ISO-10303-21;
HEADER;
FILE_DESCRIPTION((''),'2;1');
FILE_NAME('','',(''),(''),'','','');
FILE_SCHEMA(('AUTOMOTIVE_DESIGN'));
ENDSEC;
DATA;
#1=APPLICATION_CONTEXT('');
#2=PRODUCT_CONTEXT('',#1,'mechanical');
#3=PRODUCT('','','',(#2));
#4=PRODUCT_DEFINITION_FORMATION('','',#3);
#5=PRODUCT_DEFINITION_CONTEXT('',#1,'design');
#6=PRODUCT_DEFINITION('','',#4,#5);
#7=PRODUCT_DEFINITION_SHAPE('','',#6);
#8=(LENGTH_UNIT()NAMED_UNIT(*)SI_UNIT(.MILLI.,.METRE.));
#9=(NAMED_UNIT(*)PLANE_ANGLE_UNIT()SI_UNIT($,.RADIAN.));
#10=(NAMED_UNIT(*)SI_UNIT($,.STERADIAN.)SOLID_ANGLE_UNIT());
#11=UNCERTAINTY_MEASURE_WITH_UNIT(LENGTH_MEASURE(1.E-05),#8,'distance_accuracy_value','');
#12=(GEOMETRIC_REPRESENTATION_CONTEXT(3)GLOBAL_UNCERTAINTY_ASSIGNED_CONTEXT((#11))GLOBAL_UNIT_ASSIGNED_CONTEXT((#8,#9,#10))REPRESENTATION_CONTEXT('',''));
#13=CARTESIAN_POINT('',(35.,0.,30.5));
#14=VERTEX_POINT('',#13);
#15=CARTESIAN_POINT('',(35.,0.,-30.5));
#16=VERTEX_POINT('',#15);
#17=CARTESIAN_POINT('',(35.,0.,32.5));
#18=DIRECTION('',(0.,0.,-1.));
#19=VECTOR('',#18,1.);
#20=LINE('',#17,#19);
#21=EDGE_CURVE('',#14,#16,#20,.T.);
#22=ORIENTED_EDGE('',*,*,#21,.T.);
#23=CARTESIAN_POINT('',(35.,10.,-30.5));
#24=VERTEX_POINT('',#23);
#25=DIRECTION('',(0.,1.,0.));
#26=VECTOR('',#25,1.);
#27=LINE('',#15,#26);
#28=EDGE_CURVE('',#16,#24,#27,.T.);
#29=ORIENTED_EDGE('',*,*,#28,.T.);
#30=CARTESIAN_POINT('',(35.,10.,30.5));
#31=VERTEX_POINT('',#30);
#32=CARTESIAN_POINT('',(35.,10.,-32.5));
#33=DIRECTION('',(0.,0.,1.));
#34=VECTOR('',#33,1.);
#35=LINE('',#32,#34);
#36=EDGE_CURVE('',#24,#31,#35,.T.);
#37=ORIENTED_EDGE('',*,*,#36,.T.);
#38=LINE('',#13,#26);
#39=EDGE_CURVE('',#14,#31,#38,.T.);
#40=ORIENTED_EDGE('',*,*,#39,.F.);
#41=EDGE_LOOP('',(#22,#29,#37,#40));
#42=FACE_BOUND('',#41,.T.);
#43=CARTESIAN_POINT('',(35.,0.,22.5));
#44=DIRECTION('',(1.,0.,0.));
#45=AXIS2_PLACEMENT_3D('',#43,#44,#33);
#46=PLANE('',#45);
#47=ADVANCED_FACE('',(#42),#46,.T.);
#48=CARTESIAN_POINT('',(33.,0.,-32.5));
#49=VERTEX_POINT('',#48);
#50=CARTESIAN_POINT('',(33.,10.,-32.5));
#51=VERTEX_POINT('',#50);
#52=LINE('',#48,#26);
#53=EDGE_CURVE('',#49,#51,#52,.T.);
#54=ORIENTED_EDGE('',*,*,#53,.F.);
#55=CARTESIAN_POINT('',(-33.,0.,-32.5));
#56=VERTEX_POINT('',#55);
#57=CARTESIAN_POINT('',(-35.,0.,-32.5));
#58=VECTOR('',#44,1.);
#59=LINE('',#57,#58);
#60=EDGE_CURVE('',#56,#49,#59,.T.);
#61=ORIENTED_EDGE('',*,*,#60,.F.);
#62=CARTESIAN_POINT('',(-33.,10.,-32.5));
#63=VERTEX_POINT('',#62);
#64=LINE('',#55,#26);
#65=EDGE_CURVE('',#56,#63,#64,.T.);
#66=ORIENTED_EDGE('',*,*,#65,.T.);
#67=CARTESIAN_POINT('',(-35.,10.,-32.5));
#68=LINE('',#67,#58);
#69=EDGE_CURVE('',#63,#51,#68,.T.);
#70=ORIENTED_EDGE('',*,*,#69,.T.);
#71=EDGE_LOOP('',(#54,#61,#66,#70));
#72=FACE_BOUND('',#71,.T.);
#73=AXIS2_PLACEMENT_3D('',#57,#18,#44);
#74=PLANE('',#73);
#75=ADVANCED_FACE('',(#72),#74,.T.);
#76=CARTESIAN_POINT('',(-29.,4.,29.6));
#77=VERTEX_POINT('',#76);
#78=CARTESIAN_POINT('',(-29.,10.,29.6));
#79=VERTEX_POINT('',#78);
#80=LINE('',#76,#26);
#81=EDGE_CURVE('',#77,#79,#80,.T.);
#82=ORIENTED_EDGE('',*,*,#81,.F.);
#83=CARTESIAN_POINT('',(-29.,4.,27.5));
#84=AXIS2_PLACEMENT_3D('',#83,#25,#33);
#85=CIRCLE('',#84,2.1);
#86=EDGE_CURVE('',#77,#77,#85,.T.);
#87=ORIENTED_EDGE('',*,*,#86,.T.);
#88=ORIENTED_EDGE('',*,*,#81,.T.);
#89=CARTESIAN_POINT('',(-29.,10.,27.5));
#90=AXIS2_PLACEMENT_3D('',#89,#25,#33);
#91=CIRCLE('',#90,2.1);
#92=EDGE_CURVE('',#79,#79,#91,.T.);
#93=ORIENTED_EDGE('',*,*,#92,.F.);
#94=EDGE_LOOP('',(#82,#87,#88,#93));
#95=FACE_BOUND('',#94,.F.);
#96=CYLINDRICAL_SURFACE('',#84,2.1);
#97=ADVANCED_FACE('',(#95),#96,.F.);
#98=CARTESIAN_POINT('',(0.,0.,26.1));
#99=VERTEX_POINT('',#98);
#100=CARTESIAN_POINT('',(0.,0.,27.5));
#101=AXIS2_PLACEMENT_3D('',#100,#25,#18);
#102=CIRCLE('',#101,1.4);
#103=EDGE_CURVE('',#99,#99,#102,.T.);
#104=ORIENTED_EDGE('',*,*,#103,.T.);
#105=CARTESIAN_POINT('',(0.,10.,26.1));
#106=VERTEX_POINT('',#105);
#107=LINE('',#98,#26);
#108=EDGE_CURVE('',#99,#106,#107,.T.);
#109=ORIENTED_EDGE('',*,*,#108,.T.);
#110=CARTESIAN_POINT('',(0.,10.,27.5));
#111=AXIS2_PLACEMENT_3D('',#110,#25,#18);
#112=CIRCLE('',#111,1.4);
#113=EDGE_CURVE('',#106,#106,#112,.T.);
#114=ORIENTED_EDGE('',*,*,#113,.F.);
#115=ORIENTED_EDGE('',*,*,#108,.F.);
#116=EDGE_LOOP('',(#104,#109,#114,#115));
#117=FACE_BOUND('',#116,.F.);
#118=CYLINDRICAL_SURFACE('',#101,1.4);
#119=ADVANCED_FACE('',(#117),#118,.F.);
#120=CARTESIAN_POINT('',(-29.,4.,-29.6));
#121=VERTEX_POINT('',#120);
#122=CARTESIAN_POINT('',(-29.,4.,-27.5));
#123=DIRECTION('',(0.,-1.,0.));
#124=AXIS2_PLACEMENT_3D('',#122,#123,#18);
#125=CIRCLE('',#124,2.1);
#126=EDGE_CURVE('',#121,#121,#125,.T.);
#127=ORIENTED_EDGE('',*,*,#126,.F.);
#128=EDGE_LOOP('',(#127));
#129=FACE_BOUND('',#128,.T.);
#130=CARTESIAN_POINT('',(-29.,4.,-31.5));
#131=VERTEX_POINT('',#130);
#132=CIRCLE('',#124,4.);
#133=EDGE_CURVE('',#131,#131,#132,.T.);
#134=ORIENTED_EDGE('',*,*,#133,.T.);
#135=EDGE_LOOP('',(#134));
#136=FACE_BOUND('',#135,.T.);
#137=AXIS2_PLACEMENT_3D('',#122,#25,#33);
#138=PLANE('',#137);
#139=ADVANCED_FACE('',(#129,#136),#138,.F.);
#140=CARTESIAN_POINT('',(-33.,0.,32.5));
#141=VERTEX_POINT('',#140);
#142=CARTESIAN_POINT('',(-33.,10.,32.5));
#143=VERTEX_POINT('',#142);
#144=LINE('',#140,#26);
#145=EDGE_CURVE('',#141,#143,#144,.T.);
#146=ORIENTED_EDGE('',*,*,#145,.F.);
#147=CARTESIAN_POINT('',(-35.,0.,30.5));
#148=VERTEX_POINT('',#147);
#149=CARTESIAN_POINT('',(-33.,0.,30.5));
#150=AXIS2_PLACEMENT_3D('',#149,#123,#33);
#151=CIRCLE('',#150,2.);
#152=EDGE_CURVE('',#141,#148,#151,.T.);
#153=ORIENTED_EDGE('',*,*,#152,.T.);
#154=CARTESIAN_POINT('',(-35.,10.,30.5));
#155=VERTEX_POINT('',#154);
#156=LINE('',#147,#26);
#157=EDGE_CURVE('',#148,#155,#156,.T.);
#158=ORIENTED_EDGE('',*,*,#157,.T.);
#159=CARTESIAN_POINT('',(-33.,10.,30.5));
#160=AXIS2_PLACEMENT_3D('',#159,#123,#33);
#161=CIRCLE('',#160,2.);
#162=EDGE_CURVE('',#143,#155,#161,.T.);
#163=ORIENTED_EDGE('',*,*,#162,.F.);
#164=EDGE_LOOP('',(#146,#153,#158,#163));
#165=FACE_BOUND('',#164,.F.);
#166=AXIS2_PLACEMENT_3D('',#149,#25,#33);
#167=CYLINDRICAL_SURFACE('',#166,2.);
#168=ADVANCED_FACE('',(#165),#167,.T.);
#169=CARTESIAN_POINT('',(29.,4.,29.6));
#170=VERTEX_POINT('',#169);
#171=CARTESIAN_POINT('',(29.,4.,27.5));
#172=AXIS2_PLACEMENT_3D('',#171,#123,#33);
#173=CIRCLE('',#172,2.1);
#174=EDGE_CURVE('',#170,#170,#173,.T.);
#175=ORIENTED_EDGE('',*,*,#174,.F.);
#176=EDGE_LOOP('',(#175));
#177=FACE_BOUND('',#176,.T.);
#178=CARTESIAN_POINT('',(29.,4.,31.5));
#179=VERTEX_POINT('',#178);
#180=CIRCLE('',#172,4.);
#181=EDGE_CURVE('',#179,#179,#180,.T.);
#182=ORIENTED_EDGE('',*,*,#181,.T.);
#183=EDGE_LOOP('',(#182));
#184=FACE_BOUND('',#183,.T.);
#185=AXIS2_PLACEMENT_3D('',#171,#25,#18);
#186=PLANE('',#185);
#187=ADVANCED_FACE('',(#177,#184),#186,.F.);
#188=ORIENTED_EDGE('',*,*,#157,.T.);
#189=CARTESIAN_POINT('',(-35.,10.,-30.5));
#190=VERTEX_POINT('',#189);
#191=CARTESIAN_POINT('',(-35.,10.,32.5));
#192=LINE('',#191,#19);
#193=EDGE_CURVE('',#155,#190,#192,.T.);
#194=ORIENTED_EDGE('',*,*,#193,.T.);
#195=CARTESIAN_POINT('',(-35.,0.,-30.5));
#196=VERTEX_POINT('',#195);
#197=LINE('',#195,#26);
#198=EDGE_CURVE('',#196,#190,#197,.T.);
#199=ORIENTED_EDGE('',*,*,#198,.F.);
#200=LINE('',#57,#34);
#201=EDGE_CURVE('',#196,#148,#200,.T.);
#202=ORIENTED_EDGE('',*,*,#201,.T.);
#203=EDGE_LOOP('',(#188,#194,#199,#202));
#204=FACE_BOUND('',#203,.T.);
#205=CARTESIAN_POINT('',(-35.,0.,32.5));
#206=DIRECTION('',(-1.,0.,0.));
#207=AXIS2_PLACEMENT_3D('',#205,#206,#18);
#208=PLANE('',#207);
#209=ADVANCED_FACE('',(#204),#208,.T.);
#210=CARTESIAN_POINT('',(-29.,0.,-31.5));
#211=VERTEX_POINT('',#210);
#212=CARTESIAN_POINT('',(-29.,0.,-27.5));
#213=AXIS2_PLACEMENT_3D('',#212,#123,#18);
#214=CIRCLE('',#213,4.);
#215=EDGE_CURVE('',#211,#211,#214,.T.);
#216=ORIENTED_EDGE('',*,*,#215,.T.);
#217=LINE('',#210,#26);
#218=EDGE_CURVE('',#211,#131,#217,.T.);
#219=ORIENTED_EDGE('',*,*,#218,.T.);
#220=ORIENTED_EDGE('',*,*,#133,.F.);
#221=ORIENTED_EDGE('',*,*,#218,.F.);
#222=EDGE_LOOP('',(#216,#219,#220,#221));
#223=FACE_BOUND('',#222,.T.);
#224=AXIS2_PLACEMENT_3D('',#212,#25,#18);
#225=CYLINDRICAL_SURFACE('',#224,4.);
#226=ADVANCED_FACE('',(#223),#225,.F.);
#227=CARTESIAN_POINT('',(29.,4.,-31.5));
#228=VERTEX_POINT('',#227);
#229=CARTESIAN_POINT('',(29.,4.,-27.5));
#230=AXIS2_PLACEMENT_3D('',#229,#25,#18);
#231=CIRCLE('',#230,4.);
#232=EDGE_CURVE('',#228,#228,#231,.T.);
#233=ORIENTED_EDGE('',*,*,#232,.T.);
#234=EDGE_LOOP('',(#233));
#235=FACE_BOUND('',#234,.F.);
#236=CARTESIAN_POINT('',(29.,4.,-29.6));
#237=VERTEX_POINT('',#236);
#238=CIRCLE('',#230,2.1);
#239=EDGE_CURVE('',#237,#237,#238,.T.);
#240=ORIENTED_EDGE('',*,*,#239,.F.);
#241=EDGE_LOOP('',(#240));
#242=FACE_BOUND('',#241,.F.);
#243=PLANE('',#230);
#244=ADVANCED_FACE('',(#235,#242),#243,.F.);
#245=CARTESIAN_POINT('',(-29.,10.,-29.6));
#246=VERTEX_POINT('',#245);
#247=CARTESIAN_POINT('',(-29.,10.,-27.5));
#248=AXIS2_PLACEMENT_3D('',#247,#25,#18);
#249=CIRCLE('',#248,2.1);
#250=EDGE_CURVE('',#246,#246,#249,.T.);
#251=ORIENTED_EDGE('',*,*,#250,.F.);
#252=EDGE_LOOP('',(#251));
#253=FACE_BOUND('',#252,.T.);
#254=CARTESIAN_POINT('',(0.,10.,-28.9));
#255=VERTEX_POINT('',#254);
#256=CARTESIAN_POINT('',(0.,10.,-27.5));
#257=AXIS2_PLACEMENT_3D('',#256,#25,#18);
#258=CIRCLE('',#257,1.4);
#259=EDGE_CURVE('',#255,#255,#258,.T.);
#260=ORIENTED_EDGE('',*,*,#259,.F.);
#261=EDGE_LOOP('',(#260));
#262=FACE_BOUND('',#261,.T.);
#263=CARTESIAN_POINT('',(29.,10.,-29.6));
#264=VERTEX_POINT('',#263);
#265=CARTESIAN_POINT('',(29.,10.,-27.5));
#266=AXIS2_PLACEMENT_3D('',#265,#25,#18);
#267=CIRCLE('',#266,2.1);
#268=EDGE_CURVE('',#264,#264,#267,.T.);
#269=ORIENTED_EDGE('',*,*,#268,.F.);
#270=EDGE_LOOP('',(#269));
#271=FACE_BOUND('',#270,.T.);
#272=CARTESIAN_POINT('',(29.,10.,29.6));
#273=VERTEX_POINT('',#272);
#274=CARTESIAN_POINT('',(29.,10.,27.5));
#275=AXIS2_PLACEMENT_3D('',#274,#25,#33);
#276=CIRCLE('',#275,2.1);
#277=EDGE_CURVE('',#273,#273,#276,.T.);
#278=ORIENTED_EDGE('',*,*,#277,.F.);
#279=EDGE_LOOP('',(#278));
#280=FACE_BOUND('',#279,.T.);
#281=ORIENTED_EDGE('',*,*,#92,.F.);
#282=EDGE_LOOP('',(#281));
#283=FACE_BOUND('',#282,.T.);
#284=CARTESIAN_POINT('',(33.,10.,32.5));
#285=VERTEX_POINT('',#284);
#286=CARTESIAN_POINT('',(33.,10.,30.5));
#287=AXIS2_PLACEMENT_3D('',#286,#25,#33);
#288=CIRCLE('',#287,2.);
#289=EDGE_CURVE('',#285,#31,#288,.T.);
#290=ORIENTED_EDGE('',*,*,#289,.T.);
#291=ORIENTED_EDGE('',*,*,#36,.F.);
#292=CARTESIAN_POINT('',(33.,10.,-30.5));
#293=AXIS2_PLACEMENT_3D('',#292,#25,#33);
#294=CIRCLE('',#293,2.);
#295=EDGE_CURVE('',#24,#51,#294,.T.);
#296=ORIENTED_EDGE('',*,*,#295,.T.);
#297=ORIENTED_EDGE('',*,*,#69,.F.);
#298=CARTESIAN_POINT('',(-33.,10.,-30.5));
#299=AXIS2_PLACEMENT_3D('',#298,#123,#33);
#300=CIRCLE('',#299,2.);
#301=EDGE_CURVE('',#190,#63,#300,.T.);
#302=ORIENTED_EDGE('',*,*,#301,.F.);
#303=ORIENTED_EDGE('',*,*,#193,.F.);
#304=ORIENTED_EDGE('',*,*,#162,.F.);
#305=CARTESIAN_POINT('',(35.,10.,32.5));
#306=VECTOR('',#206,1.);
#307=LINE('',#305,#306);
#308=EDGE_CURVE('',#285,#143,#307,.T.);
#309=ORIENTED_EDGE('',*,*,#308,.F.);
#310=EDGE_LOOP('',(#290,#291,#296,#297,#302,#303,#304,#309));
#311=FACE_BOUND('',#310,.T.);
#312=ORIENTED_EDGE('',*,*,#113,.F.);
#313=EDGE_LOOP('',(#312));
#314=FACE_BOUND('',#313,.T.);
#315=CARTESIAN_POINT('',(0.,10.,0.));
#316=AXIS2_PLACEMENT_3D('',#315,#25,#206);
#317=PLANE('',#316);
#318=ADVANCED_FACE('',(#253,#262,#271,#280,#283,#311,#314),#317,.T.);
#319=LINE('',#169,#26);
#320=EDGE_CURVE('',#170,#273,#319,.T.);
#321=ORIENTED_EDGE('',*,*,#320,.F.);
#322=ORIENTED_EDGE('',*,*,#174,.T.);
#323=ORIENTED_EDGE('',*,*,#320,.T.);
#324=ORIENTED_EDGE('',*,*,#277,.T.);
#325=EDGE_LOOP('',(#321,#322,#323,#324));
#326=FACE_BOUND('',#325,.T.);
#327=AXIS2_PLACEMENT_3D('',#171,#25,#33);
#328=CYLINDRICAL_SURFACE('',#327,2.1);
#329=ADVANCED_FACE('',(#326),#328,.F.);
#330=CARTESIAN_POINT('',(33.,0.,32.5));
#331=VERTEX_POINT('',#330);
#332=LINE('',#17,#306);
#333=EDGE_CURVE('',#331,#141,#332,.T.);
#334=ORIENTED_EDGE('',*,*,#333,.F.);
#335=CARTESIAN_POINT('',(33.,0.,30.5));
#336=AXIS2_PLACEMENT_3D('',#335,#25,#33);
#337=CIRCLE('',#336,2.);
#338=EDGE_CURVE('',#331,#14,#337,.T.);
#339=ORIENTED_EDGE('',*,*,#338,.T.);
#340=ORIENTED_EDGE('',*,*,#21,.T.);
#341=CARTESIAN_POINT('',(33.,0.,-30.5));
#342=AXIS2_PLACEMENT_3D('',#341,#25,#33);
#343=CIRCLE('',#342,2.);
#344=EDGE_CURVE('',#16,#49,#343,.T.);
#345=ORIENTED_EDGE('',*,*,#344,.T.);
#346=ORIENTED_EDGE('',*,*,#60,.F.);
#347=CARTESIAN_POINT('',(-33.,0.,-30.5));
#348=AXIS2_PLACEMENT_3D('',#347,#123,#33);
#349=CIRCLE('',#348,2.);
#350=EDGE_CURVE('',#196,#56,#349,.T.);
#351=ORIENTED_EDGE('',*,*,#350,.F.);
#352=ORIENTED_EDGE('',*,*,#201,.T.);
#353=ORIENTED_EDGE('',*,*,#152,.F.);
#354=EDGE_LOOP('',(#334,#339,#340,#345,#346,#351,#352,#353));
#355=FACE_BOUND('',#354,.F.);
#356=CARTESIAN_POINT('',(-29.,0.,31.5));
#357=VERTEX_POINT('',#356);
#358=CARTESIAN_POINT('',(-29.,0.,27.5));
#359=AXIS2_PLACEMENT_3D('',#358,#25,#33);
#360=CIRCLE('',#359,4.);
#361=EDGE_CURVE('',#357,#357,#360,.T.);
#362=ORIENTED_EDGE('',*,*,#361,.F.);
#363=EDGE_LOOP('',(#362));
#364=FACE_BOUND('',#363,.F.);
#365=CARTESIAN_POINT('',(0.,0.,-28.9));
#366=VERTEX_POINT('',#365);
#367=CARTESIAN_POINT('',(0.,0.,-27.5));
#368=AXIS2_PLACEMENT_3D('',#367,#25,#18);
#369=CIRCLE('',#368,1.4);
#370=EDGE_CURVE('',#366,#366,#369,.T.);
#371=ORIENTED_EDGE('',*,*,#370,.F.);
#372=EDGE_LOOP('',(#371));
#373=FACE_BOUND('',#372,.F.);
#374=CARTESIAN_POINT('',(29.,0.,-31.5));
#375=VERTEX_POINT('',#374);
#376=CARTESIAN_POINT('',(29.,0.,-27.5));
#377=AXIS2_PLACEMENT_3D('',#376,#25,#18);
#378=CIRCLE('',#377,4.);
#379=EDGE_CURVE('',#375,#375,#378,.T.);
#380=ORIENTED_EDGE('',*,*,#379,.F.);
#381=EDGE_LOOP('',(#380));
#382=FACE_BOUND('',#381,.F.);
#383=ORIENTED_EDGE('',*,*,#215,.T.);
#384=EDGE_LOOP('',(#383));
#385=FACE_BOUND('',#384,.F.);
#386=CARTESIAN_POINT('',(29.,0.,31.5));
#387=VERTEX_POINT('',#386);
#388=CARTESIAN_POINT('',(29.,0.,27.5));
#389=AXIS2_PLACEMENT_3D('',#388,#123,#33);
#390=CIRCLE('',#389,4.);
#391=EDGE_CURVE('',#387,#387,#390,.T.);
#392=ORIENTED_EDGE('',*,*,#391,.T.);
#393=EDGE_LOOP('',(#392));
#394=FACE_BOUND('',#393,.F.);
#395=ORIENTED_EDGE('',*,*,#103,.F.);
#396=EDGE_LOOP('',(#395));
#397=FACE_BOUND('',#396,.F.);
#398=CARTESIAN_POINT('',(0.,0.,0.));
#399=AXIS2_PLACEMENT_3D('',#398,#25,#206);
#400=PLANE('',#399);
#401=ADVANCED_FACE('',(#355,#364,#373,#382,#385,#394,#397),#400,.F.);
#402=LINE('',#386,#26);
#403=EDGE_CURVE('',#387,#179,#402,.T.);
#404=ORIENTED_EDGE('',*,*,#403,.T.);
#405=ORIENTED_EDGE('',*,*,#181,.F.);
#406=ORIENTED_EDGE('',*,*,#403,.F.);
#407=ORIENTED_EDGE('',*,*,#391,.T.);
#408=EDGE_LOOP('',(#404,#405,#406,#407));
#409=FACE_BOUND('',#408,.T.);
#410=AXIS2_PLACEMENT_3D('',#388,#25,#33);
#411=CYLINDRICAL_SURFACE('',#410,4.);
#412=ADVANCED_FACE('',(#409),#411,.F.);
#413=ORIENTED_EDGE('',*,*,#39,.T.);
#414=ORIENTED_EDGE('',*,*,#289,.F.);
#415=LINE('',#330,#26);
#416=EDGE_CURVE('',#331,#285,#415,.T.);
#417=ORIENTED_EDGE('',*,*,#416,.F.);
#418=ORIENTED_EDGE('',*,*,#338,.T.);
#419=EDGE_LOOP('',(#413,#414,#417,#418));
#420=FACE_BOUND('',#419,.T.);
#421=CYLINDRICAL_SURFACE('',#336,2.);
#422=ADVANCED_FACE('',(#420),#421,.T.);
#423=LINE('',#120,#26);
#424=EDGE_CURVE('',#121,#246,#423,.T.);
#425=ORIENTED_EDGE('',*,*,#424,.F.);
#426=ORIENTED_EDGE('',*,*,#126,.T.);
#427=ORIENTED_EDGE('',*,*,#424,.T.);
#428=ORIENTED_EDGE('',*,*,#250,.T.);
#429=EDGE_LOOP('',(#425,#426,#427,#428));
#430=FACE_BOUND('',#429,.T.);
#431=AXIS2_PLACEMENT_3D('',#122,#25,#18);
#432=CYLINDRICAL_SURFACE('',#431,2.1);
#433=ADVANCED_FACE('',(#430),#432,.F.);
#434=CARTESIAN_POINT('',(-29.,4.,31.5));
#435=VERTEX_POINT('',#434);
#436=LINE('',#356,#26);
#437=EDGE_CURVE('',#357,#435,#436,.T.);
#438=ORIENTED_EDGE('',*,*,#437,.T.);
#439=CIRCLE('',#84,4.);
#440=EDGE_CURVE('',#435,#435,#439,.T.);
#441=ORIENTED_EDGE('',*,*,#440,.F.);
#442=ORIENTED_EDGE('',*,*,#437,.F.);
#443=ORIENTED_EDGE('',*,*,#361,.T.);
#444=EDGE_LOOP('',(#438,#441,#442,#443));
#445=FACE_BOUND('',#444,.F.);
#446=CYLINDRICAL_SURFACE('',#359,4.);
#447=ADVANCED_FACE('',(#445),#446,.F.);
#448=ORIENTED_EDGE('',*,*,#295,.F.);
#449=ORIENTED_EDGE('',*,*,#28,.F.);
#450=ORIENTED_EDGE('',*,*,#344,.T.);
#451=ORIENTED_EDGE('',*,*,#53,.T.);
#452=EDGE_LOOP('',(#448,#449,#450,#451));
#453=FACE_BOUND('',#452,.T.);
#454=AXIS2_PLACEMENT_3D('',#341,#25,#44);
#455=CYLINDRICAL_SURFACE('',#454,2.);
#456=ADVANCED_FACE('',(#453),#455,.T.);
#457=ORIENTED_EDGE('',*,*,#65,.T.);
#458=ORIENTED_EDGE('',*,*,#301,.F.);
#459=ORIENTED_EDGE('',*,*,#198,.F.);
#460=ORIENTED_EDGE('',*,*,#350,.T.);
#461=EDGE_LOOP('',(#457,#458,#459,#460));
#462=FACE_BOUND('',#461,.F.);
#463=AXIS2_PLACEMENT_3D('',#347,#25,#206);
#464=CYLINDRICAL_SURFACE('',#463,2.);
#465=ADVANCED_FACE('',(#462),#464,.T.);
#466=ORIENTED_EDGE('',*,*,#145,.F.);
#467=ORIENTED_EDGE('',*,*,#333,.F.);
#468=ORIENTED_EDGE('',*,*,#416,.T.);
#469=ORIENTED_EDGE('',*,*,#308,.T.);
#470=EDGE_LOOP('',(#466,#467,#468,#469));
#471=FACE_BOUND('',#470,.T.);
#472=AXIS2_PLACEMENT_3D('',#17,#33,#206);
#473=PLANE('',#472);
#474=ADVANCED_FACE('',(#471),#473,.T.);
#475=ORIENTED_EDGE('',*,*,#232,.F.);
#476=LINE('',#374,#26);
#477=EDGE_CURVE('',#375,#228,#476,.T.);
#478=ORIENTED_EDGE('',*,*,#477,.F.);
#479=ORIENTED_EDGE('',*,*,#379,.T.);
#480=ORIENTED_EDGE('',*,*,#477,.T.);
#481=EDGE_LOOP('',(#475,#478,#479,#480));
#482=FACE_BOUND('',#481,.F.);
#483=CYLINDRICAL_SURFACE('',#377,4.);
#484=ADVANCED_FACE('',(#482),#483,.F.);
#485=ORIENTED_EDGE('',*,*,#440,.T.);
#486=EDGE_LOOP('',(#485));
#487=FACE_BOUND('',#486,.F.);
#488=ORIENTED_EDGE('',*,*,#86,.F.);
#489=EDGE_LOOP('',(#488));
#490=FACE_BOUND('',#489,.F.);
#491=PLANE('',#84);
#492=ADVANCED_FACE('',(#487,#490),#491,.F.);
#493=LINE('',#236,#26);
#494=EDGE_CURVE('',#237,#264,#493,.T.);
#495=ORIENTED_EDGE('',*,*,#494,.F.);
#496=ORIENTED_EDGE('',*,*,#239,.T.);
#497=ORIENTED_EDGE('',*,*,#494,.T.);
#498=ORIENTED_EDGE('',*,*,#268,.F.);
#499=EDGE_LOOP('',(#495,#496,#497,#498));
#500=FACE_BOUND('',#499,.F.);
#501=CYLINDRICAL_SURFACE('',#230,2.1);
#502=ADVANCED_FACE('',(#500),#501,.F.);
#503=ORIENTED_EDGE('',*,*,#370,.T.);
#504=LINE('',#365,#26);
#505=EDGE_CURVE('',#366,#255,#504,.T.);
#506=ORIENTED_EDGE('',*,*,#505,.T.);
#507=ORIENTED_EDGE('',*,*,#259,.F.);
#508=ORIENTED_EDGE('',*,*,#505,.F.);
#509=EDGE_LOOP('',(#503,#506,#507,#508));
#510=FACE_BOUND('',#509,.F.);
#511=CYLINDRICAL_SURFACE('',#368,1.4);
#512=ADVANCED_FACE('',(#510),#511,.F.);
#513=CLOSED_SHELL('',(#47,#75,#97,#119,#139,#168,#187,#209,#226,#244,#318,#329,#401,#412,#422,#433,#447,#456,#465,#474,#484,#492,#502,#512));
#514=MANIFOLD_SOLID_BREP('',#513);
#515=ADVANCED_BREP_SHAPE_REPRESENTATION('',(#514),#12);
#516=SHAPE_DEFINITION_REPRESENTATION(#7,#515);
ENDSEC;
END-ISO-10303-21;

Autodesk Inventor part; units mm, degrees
ref_plane "YZ Plane" through (0, 0, 0) normal (1, 0, 0) x (0, 1, 0)
ref_plane "XZ Plane" through (0, 0, 0) normal (0, 1, 0) x (-1, 0, 0)
ref_plane "XY Plane" through (0, 0, 0) normal (0, 0, 1) x (1, 0, 0)
sketch "Sketch1" plane through (0, 0, 0) normal (0, 1, 0) x (-1, 0, 0)
  line L0 (-35, 32.5) -> (35, 32.5)
  line L1 (35, 32.5) -> (35, -32.5)
  line L2 (35, -32.5) -> (-35, -32.5)
  line L3 (-35, -32.5) -> (-35, 32.5)
  line L4 (-35, 32.5) -> (35, -32.5) construction
  line L5 (35, 32.5) -> (-35, -32.5) construction
  line L6 (-35, 22.5) -> (35, 22.5)
  line L7 (35, 22.5) -> (35, -22.5)
  line L8 (35, -22.5) -> (-35, -22.5)
  line L9 (-35, -22.5) -> (-35, 22.5)
  line L10 (-35, 22.5) -> (35, -22.5) construction
  line L11 (35, 22.5) -> (-35, -22.5) construction
  point P0 (0, 0)
  dimension "d0" = 70
  dimension "d1" = 65
  dimension "d2" = 10
extrude "Extrusion1" add sketch "Sketch1" along normal blind 10
sketch "Sketch2" plane through (0, 0, 0) normal (0, -1, 0) x (1, 0, 0)
  line L0 (35, 32.5) -> (35, -32.5) projected
  line L1 (-35, 32.5) -> (35, 32.5) projected
  line L2 (-35, -32.5) -> (-35, 32.5) projected
  line L3 (35, -32.5) -> (-35, -32.5) projected
  line L4 (-35, 22.5) -> (35, 22.5)
  line L5 (35, 22.5) -> (35, -22.5)
  line L6 (35, -22.5) -> (-35, -22.5)
  line L7 (-35, -22.5) -> (-35, 22.5)
  line L8 (-35, 22.5) -> (35, -22.5) construction
  line L9 (35, 22.5) -> (-35, -22.5) construction
  line L10 (35, 32.5) -> (35, -32.5) projected
  line L11 (-35, -22.5) -> (35, -32.5) construction
  line L12 (0, -27.5) -> (29, -27.5) construction
  point P0 (0, 0)
  dimension "d5" = 10
  dimension "d6" = 6
hole "Hole1" at (29, 0, -27.5) direction (0, 1, 0) diameter 4.2 end through all counterbore diameter 8 counterbore depth 4
mirror "Mirror1" about plane through (0, 0, 0) normal (1, 0, 0) of "Hole1"
mirror "Mirror2" about plane through (0, 0, 0) normal (0, 0, 1) of "Hole1", "Mirror1"
fillet "Fillet1" radius 2 4 edges at (35, 5, 32.5) (-35, 5, 32.5) (-35, 5, -32.5) (35, 5, -32.5)
sketch "Sketch3" plane through (0, 0, 0) normal (0, -1, 0) x (1, 0, 0)
  arc A0 (33, -32.5) -> (35, -30.5) centre (33, -30.5) ccw projected
  line L0 (35, 30.5) -> (35, -30.5) projected
  arc A1 (35, 30.5) -> (33, 32.5) centre (33, 30.5) ccw projected
  line L1 (-33, 32.5) -> (33, 32.5) projected
  arc A2 (-33, 32.5) -> (-35, 30.5) centre (-33, 30.5) ccw projected
  line L2 (-35, -30.5) -> (-35, 30.5) projected
  arc A3 (-35, -30.5) -> (-33, -32.5) centre (-33, -30.5) ccw projected
  line L3 (33, -32.5) -> (-33, -32.5) projected
  circle A4 centre (-29, 27.5) radius 4 projected
  circle A5 centre (29, 27.5) radius 4 projected
  circle A6 centre (-29, -27.5) radius 4 projected
  circle A7 centre (29, -27.5) radius 4 projected
  circle A8 centre (29, 27.5) radius 2.1 projected
  circle A9 centre (-29, 27.5) radius 4 projected
  line L4 (29, 27.5) -> (-29, 27.5)
  circle A10 centre (29, -27.5) radius 2.1 projected
  line L5 (29, -27.5) -> (-29, -27.5)
  point P0 (0, 0)
  point P1 (0, 27.5)
  point P2 (0, -27.5)
hole "Hole2" at (0, 0, 27.5) at (0, 0, -27.5) direction (0, 1, 0) diameter 2.8 end through all
properties part number "23_Nap_hop_so_ngang" material "Stainless Steel, Austenitic"
